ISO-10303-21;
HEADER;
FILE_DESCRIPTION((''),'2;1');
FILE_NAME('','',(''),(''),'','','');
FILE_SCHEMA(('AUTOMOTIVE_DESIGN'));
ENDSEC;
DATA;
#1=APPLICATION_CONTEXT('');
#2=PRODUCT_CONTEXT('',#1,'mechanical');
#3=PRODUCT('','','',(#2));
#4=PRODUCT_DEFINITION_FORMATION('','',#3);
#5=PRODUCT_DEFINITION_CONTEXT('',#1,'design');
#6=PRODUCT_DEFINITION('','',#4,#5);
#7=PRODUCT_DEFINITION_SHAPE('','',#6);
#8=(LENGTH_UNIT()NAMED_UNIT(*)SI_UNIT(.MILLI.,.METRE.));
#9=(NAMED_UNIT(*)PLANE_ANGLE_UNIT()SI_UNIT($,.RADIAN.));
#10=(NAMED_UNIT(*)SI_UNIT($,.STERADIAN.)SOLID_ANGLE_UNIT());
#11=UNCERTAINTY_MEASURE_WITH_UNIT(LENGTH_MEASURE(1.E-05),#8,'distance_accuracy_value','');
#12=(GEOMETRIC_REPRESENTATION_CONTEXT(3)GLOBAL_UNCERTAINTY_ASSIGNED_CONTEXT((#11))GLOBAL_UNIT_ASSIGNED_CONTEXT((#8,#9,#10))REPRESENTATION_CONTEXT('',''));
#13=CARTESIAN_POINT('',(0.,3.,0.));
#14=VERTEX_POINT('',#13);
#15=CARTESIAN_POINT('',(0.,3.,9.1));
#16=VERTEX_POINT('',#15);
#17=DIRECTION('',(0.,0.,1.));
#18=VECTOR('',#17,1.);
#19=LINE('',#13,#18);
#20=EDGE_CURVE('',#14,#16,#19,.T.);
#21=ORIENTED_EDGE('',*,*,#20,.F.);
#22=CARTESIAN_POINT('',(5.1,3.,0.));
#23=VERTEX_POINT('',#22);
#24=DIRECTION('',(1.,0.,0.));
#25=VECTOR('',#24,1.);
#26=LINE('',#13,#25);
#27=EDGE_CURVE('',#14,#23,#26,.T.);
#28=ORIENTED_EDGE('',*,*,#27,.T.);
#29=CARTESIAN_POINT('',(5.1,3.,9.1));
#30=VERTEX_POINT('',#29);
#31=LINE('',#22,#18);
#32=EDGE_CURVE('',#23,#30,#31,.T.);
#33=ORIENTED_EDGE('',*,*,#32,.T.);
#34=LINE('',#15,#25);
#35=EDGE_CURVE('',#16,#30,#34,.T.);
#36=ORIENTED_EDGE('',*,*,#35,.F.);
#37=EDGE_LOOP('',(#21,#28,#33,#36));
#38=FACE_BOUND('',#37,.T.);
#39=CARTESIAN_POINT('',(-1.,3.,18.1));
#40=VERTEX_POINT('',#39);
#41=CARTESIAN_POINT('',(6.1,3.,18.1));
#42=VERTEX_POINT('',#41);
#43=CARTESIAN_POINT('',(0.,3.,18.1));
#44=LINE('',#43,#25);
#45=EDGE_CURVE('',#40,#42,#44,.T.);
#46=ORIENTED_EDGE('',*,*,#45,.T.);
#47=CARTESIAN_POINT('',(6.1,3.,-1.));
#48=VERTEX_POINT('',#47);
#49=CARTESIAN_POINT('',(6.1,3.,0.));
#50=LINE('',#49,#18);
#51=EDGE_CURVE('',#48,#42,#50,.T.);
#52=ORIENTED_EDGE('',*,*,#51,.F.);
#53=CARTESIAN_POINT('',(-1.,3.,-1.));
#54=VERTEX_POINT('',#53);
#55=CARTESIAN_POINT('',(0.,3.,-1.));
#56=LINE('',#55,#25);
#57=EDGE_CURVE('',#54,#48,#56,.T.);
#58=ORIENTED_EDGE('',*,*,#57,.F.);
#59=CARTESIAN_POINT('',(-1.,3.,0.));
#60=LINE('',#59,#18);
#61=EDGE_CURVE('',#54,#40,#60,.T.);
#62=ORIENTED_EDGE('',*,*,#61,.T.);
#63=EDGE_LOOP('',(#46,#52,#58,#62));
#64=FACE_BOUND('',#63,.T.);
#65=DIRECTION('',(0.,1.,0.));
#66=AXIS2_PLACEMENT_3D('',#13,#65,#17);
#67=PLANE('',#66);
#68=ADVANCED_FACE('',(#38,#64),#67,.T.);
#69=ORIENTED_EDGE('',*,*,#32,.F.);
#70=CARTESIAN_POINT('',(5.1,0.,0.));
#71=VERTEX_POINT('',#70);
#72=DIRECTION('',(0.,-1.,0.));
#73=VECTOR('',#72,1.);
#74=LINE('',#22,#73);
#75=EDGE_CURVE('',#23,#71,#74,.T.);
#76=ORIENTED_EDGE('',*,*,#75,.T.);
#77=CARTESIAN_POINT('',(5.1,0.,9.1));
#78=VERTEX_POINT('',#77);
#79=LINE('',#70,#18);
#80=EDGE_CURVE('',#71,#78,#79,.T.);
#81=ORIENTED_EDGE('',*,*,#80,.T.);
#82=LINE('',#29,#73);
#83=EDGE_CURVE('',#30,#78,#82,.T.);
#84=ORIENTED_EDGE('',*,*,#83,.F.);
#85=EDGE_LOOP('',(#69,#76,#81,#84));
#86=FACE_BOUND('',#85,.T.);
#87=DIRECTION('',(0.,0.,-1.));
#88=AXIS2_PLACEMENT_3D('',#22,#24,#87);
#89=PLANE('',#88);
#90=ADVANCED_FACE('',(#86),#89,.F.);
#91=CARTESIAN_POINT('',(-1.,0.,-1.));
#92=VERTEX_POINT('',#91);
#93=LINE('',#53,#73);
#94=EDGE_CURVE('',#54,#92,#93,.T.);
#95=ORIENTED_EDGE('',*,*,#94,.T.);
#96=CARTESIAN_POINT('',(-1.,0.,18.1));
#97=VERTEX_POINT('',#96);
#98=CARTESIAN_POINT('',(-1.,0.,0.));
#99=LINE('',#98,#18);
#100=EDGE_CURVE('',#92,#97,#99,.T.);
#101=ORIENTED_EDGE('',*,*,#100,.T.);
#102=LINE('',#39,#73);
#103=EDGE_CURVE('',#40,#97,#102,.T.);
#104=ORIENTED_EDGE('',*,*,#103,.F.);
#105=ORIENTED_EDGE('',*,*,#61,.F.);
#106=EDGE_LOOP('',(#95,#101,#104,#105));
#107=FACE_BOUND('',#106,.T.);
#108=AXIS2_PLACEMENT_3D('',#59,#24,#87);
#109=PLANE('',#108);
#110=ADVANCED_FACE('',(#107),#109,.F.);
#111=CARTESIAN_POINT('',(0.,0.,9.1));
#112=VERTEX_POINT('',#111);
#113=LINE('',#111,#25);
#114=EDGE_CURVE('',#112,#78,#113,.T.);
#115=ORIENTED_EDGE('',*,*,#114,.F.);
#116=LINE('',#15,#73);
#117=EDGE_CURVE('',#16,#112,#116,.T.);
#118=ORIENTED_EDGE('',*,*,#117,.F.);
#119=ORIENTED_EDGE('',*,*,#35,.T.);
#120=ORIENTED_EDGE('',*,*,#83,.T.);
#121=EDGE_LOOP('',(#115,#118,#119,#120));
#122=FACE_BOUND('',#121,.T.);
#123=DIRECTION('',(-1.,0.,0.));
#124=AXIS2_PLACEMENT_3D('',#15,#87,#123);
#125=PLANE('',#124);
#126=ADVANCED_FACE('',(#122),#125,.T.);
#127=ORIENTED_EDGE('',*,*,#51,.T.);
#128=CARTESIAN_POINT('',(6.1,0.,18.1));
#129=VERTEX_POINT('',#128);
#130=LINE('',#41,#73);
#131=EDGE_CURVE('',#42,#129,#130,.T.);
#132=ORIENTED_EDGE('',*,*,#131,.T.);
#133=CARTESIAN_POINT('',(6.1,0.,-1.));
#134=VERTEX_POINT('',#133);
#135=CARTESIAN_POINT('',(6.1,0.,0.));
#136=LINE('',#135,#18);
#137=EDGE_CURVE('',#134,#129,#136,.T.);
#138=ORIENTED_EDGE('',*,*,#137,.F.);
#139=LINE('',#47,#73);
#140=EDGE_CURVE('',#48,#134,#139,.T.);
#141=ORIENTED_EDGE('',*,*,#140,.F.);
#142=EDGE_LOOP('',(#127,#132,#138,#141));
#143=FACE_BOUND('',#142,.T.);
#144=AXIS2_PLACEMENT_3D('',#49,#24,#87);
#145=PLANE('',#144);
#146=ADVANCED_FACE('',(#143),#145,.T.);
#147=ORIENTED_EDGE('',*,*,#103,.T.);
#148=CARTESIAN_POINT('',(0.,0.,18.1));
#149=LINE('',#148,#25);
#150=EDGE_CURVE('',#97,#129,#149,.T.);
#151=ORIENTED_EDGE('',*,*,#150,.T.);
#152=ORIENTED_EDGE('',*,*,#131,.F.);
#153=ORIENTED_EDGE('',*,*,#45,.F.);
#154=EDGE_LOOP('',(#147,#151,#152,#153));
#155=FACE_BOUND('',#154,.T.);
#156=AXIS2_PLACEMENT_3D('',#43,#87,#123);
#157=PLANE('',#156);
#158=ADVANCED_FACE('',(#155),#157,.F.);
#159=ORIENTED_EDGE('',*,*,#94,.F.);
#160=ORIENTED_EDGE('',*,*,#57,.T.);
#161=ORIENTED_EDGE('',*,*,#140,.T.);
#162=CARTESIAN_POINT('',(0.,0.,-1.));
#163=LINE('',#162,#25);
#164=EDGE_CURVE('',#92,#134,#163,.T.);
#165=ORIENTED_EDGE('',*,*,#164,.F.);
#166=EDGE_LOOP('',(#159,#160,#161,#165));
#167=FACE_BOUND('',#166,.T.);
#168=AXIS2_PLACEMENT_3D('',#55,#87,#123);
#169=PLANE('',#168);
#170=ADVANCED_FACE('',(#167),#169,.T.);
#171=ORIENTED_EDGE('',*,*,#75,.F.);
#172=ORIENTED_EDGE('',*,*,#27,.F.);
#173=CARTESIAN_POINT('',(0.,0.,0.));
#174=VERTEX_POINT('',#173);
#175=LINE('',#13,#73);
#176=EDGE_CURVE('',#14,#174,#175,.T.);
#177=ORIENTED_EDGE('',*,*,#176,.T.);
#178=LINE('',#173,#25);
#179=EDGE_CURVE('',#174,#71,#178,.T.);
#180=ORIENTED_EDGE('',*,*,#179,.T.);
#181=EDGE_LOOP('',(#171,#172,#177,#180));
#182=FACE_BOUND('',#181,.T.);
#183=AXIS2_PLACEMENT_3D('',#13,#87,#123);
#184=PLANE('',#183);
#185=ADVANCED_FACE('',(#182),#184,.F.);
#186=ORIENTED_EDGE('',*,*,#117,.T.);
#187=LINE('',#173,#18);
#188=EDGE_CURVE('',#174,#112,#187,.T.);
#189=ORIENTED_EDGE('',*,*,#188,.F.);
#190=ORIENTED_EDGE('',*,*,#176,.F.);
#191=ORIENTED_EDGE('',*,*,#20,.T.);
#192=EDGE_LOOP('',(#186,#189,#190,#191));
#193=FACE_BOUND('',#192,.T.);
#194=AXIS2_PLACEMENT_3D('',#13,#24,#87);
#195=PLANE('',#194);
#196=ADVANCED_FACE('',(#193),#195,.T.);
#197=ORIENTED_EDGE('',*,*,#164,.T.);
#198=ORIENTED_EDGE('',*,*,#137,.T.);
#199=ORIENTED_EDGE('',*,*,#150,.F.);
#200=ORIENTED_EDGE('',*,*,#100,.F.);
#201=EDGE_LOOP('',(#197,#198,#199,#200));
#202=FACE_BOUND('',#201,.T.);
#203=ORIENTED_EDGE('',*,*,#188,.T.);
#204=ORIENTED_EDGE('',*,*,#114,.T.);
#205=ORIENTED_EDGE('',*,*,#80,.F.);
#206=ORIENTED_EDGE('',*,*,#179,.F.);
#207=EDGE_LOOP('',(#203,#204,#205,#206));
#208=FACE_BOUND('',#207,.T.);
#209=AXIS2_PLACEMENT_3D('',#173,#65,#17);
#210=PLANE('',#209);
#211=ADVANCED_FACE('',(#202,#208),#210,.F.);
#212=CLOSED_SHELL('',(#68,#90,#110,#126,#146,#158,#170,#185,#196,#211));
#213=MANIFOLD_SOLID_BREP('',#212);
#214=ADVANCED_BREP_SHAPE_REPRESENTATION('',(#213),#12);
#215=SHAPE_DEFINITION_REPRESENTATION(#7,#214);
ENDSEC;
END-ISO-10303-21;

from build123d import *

# Parameters (mm, degrees)
SKETCH1_W           = 7.1
SKETCH1_H           = 11.1
SKETCH1_W_2         = 5.1
SKETCH1_H_2         = 9.1
SKETCH1_H_3         = 8
BOSS_EXTRUDE1_DEPTH = 3


with BuildPart() as part:
    # Sketch1 → Boss-Extrude1 (new body)
    # profile 1 of 2: a face of its own
    with BuildSketch(Plane(origin=(0, 0, 0), x_dir=(1, 0, 0), z_dir=(0, 1, 0))):
        with Locations((2.55, -4.55)):
            Rectangle(SKETCH1_W, SKETCH1_H)
        with Locations((2.55, -4.55)):
            Rectangle(SKETCH1_W_2, SKETCH1_H_2, mode=Mode.SUBTRACT)
    # profile 2 of 2: a face of its own
    with BuildSketch(Plane(origin=(0, 0, 0), x_dir=(1, 0, 0), z_dir=(0, 1, 0))):
        with Locations((2.55, -14.1)):
            Rectangle(SKETCH1_W, SKETCH1_H_3)
    extrude(amount=BOSS_EXTRUDE1_DEPTH)


solid = part.part
